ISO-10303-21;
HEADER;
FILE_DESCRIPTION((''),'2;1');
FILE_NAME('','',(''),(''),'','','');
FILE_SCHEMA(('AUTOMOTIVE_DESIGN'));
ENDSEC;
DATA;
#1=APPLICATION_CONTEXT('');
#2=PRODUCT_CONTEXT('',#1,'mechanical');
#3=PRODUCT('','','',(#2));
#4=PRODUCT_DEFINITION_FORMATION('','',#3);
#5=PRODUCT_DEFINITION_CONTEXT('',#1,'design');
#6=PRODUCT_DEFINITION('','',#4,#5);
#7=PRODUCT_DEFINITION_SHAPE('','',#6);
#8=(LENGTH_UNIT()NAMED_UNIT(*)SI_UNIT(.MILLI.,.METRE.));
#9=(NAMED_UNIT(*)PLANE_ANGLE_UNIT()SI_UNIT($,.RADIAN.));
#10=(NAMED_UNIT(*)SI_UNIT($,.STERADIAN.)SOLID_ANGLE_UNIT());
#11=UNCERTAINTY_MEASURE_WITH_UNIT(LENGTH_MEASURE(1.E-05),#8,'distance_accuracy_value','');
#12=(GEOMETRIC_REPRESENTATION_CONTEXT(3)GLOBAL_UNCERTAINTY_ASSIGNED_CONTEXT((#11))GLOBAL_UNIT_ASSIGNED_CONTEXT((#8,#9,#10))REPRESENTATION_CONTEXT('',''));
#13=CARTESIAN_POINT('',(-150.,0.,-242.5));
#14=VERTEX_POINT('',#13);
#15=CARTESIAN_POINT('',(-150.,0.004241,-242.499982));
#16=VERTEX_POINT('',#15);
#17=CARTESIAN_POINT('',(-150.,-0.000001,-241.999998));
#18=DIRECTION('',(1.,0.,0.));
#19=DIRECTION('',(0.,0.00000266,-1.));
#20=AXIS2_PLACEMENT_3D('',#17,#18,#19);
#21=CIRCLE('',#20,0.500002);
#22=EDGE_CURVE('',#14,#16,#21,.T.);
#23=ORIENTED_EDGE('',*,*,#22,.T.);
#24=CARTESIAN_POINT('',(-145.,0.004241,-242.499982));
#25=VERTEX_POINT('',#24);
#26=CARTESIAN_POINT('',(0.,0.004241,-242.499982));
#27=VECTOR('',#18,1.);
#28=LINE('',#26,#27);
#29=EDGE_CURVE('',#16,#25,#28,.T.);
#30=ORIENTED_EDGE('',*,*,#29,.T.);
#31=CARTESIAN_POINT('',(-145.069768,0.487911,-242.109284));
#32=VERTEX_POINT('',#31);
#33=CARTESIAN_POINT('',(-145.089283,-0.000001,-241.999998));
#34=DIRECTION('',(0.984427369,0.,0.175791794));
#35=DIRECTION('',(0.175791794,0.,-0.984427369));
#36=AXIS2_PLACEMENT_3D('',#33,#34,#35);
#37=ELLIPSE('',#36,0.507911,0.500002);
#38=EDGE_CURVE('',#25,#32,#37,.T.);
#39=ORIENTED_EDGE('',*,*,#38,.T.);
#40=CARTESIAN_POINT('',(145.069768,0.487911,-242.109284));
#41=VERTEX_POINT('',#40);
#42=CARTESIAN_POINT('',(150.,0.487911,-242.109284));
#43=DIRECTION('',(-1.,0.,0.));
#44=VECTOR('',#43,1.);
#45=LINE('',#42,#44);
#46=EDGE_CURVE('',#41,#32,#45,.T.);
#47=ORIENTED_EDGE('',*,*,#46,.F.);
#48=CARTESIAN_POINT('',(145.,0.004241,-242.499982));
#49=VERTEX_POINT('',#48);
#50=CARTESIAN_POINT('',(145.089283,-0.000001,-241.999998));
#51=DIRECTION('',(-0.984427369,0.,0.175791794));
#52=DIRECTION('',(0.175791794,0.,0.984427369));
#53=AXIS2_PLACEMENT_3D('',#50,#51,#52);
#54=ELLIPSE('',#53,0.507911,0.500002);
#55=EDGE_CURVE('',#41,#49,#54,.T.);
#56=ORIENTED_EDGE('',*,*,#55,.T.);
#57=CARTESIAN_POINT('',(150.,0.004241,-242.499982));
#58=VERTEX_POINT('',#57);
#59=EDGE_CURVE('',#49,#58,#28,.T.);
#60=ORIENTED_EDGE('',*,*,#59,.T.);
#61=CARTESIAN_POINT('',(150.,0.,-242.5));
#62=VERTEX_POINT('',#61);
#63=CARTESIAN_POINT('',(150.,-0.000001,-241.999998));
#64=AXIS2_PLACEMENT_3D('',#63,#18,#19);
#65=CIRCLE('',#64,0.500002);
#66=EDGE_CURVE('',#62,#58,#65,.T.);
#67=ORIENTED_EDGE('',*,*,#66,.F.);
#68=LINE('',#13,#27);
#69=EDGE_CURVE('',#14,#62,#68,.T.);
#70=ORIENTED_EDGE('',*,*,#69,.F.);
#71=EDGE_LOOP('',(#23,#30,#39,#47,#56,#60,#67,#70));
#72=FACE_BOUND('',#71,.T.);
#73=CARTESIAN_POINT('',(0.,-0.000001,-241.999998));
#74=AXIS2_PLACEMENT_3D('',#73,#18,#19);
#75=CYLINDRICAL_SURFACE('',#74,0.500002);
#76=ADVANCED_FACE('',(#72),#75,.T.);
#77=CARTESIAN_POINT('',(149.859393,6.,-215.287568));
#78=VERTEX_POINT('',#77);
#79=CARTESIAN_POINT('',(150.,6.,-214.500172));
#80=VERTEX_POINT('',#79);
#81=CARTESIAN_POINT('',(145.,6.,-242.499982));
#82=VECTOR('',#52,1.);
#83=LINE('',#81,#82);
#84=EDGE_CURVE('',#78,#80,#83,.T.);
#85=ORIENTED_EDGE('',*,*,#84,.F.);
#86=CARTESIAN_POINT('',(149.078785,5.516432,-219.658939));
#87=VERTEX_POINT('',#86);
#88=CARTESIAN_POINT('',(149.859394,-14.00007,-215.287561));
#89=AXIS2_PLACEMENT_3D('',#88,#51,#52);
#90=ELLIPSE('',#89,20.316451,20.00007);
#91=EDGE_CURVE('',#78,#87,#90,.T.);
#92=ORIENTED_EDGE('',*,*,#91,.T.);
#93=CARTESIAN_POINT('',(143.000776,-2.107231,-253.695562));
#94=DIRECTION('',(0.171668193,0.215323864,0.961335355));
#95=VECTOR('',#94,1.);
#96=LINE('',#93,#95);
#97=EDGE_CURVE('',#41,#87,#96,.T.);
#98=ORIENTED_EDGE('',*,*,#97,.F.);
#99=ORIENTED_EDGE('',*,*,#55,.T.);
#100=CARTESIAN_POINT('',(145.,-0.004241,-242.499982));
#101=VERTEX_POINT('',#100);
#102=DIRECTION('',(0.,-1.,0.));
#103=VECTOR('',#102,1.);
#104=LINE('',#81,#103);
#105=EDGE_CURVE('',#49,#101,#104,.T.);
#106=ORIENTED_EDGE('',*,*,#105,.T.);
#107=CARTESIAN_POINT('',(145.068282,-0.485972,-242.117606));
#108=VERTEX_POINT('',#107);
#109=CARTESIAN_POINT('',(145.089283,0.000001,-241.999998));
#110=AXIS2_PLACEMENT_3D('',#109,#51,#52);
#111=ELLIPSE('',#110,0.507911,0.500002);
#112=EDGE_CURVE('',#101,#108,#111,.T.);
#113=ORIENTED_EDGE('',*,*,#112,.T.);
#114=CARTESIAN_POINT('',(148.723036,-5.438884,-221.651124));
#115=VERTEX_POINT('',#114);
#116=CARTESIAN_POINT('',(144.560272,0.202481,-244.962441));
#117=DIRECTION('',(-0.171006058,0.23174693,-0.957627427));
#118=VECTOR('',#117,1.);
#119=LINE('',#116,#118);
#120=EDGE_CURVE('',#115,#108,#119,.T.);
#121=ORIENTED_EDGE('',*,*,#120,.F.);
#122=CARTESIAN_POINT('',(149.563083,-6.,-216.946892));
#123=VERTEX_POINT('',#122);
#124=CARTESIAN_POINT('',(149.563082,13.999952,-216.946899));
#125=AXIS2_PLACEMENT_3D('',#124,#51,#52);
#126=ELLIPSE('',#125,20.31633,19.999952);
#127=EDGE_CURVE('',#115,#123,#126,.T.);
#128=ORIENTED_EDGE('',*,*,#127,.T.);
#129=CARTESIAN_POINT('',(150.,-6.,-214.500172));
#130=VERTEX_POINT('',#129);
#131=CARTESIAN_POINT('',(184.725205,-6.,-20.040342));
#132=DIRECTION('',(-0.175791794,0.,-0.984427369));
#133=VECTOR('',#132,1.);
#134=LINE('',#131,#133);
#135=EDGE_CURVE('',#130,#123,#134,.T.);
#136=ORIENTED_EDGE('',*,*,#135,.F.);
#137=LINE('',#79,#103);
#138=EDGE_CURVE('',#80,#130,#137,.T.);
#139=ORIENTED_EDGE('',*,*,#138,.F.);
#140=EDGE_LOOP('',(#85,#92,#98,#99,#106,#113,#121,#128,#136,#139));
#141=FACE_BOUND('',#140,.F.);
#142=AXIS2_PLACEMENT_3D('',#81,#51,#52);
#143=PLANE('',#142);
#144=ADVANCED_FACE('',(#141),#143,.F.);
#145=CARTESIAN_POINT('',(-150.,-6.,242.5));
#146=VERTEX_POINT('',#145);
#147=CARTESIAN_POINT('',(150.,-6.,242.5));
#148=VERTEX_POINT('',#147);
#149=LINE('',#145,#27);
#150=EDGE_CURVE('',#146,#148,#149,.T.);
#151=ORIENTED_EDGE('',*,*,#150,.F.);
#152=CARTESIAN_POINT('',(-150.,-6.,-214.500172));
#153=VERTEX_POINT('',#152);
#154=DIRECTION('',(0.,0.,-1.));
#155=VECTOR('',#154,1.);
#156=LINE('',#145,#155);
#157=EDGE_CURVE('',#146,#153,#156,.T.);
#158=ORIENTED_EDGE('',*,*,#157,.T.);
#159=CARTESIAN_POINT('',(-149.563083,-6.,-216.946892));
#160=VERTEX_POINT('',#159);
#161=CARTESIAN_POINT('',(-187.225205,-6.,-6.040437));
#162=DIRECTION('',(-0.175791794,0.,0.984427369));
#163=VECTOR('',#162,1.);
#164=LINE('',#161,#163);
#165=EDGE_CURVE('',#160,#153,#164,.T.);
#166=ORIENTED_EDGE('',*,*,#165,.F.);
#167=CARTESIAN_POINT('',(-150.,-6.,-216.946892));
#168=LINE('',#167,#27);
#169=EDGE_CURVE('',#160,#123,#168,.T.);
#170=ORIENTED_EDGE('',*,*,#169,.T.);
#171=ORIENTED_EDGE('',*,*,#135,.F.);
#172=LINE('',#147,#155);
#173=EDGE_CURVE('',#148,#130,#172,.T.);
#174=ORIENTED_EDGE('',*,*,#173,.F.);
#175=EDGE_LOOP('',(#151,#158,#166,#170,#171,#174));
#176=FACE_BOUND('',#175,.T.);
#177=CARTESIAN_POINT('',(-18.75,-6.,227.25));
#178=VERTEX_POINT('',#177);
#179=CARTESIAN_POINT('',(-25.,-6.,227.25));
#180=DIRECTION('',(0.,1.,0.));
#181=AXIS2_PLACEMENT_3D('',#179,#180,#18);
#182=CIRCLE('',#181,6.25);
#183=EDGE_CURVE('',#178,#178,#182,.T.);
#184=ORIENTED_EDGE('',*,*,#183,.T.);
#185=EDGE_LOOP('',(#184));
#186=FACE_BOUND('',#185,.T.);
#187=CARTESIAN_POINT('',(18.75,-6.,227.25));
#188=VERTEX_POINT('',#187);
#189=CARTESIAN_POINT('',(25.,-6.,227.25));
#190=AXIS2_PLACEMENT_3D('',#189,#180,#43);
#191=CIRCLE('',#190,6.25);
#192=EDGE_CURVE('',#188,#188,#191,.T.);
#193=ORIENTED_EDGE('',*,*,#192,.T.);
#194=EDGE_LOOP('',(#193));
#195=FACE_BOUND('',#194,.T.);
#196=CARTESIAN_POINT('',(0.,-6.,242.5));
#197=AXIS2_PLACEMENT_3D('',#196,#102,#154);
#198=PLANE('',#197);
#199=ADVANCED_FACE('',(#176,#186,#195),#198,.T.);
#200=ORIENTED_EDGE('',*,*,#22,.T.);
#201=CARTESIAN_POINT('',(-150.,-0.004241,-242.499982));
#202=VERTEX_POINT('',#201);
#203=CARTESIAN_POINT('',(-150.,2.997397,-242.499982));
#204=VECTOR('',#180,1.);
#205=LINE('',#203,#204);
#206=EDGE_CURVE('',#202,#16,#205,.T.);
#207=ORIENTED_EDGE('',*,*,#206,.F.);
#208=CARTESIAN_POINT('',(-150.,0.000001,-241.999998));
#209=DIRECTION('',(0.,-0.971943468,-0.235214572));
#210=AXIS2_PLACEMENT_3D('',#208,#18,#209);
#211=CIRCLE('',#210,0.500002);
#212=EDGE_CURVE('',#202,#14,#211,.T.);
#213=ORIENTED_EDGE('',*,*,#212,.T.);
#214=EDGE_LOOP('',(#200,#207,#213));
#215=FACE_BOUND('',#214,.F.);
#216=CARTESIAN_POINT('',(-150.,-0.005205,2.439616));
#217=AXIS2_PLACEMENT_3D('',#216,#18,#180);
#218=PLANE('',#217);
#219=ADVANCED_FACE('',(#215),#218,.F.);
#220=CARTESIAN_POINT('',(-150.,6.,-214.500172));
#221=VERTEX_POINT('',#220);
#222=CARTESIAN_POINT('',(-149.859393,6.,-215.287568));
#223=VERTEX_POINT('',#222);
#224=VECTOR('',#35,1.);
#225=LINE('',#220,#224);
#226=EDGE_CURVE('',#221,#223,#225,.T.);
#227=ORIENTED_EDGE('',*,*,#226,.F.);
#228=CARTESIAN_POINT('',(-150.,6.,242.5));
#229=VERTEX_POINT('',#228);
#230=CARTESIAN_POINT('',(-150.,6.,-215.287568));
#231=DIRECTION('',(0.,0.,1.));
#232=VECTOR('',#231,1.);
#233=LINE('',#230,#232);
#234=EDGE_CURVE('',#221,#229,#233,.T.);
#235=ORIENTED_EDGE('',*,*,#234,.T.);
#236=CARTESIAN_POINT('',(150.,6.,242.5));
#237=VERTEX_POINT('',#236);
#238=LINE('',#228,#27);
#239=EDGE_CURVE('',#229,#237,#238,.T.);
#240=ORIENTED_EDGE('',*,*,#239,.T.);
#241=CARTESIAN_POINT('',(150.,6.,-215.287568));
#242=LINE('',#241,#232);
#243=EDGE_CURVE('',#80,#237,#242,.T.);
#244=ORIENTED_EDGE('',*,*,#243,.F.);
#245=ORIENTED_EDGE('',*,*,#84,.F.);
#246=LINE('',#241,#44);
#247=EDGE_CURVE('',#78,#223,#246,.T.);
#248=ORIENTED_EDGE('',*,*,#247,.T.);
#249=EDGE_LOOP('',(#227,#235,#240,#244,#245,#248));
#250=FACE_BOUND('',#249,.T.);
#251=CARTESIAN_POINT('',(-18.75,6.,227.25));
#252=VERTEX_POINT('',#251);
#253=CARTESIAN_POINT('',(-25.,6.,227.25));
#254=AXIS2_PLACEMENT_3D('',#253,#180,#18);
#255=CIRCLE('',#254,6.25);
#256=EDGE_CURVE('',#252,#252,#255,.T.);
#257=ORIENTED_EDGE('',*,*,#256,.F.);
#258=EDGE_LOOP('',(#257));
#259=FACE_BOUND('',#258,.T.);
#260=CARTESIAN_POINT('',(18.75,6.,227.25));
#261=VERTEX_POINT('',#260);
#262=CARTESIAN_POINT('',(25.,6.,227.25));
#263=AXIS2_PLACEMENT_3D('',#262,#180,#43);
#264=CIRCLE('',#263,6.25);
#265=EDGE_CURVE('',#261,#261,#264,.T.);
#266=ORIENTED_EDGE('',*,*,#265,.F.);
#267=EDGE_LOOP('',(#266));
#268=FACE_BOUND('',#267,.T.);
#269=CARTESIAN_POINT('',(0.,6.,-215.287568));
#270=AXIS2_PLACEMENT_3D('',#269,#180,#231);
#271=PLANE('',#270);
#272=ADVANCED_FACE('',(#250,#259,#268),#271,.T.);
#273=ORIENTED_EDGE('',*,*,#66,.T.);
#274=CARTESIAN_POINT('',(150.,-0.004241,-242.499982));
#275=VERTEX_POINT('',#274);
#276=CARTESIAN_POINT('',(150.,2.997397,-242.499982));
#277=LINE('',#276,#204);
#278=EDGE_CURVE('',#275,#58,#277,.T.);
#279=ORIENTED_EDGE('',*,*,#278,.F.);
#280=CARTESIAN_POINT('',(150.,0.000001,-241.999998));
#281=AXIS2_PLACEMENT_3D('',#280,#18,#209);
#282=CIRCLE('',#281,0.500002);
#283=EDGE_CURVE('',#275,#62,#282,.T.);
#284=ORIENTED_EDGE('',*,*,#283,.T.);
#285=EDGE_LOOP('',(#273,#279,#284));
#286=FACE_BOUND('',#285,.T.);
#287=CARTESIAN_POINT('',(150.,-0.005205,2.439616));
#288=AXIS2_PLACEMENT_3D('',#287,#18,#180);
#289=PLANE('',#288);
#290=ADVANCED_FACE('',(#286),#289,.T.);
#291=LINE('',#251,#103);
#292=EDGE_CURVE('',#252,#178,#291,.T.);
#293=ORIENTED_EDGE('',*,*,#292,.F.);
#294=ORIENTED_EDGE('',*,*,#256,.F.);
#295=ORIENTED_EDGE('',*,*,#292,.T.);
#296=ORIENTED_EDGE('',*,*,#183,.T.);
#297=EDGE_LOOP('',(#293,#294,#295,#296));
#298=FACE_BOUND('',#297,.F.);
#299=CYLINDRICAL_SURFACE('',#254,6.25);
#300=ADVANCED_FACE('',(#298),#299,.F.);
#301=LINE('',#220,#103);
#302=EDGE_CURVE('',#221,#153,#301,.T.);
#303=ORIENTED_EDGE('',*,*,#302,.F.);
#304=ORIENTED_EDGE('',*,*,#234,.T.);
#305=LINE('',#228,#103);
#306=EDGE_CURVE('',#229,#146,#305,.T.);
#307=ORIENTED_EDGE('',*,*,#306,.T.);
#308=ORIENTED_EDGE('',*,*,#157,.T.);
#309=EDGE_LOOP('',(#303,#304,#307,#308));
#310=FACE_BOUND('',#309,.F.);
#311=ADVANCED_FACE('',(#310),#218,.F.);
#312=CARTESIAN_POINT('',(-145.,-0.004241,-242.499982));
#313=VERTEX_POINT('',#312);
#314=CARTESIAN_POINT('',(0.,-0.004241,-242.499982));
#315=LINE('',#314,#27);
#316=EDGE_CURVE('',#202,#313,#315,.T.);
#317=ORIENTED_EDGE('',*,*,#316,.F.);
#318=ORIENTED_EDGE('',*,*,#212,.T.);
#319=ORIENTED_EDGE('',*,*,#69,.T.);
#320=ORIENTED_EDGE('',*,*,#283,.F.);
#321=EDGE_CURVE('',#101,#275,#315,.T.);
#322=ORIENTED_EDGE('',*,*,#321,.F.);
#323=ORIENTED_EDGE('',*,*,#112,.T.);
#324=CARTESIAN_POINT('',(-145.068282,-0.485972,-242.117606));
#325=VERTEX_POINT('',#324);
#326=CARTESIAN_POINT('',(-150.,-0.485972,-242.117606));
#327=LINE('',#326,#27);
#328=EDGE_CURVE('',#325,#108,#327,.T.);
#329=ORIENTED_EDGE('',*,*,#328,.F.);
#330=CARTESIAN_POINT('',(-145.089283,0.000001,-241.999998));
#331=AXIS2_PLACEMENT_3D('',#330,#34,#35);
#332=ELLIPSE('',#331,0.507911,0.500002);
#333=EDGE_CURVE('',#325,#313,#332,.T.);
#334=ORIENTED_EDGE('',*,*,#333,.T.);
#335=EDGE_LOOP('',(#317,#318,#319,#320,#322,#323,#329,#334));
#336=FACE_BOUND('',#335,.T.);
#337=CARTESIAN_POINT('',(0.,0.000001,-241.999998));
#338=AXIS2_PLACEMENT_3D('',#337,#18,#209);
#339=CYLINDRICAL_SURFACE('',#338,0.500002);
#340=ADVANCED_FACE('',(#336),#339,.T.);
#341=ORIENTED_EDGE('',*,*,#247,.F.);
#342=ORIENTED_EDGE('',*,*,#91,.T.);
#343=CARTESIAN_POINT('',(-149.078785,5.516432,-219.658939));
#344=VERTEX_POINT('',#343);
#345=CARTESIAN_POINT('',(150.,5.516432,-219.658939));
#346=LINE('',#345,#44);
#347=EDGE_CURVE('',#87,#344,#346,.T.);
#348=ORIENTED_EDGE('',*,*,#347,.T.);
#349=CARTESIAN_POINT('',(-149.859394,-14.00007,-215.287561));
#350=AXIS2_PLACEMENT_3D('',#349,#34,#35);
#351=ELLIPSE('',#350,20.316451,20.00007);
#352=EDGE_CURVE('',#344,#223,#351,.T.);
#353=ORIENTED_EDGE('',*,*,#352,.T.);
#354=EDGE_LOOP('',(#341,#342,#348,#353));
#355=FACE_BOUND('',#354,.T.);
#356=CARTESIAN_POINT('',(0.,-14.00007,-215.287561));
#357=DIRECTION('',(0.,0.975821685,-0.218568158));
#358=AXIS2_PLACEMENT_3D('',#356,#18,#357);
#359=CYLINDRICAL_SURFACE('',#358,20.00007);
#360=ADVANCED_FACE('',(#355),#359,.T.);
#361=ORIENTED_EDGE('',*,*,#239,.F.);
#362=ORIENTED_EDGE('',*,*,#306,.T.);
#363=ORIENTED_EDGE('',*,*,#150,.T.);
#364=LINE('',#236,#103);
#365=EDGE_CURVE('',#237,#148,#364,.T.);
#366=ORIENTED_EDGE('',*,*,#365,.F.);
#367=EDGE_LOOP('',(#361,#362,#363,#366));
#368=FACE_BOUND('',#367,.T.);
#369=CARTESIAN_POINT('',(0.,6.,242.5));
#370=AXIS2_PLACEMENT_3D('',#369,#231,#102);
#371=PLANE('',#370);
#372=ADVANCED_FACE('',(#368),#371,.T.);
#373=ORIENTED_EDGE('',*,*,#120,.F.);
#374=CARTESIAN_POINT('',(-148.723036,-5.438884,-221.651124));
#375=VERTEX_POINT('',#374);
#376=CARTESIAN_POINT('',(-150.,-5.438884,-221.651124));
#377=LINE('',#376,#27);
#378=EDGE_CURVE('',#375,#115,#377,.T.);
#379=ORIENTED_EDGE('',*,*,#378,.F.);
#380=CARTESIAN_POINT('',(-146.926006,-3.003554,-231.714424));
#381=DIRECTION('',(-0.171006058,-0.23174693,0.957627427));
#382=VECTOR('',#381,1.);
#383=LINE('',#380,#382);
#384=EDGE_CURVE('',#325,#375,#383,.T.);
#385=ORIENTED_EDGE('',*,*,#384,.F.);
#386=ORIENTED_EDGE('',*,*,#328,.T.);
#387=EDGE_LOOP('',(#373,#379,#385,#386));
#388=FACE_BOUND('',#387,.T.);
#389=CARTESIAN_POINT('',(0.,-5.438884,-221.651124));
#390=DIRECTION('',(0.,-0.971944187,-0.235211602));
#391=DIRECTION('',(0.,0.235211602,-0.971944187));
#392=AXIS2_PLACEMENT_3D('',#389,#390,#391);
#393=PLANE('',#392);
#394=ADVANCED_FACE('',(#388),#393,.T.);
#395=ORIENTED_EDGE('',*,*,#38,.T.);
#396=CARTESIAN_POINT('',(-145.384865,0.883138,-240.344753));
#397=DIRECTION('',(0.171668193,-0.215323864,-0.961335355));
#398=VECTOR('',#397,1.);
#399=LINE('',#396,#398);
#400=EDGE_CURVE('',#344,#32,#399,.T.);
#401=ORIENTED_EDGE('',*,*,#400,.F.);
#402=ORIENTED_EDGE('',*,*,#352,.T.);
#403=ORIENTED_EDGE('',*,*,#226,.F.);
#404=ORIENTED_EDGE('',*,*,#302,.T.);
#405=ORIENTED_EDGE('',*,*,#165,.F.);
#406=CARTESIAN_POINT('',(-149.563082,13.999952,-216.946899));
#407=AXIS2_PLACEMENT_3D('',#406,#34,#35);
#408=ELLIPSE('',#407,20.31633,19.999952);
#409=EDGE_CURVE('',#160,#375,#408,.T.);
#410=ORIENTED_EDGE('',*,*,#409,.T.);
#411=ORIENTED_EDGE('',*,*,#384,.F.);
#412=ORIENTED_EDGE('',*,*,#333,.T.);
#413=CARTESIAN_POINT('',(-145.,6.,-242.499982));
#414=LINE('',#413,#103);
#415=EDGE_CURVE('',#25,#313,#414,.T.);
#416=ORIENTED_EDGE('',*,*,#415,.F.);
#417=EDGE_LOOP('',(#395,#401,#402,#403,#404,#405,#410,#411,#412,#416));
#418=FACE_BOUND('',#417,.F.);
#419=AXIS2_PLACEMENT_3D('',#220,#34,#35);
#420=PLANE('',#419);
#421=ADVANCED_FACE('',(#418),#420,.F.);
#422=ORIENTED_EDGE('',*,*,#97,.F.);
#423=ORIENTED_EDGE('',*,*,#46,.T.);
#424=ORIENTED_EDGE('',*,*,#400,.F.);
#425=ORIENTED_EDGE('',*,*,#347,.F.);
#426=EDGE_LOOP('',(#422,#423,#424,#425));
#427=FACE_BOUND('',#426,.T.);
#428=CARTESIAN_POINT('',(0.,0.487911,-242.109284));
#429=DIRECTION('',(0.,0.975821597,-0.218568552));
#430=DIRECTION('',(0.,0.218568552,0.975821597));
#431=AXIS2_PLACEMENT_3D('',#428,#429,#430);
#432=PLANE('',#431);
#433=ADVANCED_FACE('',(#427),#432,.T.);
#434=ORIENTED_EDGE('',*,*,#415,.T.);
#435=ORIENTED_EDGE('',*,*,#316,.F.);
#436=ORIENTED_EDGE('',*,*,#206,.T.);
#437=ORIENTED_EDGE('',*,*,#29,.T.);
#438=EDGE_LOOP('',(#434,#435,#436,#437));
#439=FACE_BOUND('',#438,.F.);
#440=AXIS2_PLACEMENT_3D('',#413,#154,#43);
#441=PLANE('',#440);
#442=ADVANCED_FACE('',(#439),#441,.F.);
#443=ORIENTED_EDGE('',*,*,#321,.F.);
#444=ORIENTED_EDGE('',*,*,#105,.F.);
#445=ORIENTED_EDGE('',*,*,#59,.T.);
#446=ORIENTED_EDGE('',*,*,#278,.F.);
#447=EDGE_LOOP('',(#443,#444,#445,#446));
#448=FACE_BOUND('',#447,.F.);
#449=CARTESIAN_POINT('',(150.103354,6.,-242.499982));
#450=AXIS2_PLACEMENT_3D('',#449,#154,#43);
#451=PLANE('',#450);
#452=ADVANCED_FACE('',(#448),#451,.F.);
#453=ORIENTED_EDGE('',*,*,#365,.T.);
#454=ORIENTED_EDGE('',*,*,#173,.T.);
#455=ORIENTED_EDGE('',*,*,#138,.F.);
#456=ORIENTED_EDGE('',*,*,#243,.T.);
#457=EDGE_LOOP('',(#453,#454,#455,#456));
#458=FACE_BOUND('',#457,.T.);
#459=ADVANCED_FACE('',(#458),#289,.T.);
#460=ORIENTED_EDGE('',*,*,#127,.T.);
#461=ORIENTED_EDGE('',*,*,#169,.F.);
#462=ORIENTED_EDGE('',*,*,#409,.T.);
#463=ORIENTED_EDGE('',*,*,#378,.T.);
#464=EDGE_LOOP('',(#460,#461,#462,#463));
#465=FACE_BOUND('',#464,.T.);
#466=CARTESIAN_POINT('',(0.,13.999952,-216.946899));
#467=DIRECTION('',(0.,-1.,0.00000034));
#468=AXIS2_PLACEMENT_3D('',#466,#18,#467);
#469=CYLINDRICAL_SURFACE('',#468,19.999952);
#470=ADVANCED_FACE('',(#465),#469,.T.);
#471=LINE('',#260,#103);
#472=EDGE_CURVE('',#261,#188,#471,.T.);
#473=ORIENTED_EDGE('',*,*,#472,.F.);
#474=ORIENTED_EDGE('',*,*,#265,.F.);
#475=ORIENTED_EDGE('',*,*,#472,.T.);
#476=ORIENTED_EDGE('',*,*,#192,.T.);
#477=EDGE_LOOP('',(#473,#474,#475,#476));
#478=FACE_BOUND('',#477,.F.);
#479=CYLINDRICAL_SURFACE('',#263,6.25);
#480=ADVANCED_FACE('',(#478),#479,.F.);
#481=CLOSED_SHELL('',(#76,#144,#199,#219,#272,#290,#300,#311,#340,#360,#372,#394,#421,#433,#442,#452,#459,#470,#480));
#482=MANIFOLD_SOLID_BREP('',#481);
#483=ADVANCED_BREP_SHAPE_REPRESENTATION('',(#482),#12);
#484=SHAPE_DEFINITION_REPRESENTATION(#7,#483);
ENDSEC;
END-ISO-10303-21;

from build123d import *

# Parameters (mm, degrees)
F1_DEPTH = 150
F3_DEPTH = 25


with BuildPart() as f1:
    # F0 (on Right) → F1 (new body, symmetric)
    with BuildSketch(Plane.YZ):
        with BuildLine():
            Line((6, -215.287568), (6, 242.5))
            Line((6, 242.5), (-6, 242.5))
            Line((-6, 242.5), (-6, -216.946892))
            ThreePointArc((-6, -216.946892), (-5.859226, -219.315681), (-5.438884, -221.651124))
            Line((-5.438884, -221.651124), (-0.485972, -242.117606))
            ThreePointArc((-0.485972, -242.117606), (-0.05922, -241.503519), (0.5, -242))
            ThreePointArc((0.5, -242), (0.496969, -242.054975), (0.487911, -242.109284))
            Line((0.487911, -242.109284), (5.516432, -219.658939))
            ThreePointArc((5.516432, -219.658939), (5.87874, -217.486586), (6, -215.287568))
        make_face()
        with BuildLine():
            ThreePointArc((0, -242.5), (0.312536, -242.390283), (0.487911, -242.109284))
            ThreePointArc((0.487911, -242.109284), (0.496969, -242.054975), (0.5, -242))
            ThreePointArc((0.5, -242), (-0.05922, -241.503519), (-0.485972, -242.117606))
            ThreePointArc((-0.485972, -242.117606), (-0.30919, -242.392939), (0, -242.5))
        make_face()
    extrude(amount=F1_DEPTH, both=True)

    # F2 (on face) → F3 (cut)
    with BuildSketch(Plane(origin=(0, 6, 0), x_dir=(-1, 0, 0), z_dir=(0, 1, 0))):
        with BuildLine():
            Line((18.75, 227.25), (31.25, 227.25))
            ThreePointArc((31.25, 227.25), (25, 233.5), (18.75, 227.25))
        make_face()
        with BuildLine():
            ThreePointArc((-31.25, 227.25), (-25, 221), (-18.75, 227.25))
            Line((-18.75, 227.25), (-31.25, 227.25))
        make_face()
        with BuildLine():
            Line((-31.25, 227.25), (-18.75, 227.25))
            ThreePointArc((-18.75, 227.25), (-25, 233.5), (-31.25, 227.25))
        make_face()
        with BuildLine():
            ThreePointArc((18.75, 227.25), (25, 221), (31.25, 227.25))
            Line((31.25, 227.25), (18.75, 227.25))
        make_face()
        Polygon((-145, -242.499982), (-150, -214.500172), (-150.103354, -242.499982), align=None)
        Polygon((150.103354, -242.499982), (150, -214.500172), (145, -242.499982), align=None)
    extrude(amount=-F3_DEPTH, mode=Mode.SUBTRACT)


solid = f1.part
